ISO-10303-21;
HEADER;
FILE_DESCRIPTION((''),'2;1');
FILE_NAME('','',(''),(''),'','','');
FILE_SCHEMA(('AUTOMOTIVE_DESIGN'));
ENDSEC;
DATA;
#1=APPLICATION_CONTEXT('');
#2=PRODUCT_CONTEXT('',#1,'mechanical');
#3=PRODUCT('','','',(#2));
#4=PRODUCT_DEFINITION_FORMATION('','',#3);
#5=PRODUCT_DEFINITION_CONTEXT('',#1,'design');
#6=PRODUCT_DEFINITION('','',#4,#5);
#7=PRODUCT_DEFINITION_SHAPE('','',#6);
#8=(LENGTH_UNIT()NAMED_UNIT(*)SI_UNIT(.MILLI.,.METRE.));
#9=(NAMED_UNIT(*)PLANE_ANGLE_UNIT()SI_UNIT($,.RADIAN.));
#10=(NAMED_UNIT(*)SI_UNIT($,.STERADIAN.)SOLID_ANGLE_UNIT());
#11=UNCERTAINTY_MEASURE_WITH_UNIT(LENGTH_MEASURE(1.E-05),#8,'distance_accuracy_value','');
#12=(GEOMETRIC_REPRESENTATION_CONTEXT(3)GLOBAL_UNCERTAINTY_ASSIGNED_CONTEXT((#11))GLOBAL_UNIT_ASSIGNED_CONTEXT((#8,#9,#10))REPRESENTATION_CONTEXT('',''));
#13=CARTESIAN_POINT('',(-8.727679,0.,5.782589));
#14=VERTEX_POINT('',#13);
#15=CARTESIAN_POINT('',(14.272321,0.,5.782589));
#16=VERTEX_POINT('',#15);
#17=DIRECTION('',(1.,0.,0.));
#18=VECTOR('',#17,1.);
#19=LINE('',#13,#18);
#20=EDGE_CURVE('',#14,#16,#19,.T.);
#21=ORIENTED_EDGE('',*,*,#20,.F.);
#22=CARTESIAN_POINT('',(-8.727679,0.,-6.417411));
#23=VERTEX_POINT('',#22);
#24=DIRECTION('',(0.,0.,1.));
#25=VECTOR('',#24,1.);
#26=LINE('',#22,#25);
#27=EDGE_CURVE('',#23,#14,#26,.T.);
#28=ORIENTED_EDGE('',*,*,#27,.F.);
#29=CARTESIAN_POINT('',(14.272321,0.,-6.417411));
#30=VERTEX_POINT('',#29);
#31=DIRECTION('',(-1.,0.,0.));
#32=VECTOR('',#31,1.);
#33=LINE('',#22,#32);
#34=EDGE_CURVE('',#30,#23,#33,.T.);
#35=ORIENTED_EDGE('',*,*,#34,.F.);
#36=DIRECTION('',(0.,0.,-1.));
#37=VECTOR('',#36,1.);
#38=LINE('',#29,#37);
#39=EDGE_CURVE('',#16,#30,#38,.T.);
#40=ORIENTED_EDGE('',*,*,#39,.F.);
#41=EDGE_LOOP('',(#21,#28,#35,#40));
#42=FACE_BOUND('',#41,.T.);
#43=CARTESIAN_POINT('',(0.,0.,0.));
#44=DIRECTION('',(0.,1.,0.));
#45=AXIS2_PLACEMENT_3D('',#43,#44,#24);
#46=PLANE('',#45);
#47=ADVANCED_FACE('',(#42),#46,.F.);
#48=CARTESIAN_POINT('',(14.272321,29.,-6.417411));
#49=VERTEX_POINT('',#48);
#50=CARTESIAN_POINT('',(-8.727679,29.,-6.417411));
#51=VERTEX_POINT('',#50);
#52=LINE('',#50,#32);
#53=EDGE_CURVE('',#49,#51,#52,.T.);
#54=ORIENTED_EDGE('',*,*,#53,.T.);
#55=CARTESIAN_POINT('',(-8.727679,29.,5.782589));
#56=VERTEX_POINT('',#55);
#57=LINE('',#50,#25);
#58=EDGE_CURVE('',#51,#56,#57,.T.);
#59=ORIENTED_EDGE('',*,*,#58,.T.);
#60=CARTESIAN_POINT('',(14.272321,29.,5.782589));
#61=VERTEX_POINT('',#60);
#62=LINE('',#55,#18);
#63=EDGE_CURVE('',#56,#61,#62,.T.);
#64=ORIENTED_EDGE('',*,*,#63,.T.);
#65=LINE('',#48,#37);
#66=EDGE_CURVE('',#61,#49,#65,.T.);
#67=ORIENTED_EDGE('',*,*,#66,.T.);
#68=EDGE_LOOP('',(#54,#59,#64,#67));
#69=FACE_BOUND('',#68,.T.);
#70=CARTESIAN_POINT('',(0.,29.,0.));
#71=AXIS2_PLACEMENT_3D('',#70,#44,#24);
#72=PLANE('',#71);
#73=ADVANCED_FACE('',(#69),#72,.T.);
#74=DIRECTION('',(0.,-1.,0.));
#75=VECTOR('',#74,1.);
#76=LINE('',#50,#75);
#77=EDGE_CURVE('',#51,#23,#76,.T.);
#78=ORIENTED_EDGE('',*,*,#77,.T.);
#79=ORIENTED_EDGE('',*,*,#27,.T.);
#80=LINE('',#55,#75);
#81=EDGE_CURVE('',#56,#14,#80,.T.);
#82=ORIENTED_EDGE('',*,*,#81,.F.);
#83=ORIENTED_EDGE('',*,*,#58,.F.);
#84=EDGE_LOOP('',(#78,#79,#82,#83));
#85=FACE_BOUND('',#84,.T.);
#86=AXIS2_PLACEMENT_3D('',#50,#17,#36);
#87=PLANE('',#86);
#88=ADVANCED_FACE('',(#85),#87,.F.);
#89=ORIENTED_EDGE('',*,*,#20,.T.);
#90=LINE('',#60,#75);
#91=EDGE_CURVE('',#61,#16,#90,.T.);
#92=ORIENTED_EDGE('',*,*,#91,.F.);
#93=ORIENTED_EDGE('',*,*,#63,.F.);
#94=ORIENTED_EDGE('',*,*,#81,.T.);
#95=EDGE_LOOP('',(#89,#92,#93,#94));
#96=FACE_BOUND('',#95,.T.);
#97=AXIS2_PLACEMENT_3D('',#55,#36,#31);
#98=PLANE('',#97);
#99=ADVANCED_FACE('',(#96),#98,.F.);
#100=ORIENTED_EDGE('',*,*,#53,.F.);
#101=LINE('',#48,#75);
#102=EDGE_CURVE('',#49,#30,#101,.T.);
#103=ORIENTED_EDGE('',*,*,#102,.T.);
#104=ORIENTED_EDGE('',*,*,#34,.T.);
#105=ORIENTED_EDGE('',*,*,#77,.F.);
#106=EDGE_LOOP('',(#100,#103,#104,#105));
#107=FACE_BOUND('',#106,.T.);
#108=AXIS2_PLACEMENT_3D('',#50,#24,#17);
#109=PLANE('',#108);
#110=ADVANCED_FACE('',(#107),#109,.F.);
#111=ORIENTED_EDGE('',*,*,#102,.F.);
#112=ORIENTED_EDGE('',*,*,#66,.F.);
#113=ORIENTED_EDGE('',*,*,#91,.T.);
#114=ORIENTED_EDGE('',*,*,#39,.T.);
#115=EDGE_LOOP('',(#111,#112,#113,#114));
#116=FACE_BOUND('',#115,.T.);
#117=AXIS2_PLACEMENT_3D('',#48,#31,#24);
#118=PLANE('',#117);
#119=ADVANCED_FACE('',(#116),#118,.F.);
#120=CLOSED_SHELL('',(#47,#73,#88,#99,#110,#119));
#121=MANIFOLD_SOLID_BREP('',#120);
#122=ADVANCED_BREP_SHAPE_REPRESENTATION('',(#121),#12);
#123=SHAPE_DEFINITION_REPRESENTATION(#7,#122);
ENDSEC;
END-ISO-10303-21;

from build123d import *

# Parameters (mm, degrees)
SKETCH1_W           = 23
SKETCH1_H           = 12.2
BOSS_EXTRUDE1_DEPTH = 29


with BuildPart() as part:
    # Sketch1 → Boss-Extrude1 (new body)
    with BuildSketch(Plane(origin=(0, 0, 0), x_dir=(1, 0, 0), z_dir=(0, 1, 0))):
        with Locations((2.772321429, 0.317410714)):
            Rectangle(SKETCH1_W, SKETCH1_H)
    extrude(amount=BOSS_EXTRUDE1_DEPTH)


solid = part.part
